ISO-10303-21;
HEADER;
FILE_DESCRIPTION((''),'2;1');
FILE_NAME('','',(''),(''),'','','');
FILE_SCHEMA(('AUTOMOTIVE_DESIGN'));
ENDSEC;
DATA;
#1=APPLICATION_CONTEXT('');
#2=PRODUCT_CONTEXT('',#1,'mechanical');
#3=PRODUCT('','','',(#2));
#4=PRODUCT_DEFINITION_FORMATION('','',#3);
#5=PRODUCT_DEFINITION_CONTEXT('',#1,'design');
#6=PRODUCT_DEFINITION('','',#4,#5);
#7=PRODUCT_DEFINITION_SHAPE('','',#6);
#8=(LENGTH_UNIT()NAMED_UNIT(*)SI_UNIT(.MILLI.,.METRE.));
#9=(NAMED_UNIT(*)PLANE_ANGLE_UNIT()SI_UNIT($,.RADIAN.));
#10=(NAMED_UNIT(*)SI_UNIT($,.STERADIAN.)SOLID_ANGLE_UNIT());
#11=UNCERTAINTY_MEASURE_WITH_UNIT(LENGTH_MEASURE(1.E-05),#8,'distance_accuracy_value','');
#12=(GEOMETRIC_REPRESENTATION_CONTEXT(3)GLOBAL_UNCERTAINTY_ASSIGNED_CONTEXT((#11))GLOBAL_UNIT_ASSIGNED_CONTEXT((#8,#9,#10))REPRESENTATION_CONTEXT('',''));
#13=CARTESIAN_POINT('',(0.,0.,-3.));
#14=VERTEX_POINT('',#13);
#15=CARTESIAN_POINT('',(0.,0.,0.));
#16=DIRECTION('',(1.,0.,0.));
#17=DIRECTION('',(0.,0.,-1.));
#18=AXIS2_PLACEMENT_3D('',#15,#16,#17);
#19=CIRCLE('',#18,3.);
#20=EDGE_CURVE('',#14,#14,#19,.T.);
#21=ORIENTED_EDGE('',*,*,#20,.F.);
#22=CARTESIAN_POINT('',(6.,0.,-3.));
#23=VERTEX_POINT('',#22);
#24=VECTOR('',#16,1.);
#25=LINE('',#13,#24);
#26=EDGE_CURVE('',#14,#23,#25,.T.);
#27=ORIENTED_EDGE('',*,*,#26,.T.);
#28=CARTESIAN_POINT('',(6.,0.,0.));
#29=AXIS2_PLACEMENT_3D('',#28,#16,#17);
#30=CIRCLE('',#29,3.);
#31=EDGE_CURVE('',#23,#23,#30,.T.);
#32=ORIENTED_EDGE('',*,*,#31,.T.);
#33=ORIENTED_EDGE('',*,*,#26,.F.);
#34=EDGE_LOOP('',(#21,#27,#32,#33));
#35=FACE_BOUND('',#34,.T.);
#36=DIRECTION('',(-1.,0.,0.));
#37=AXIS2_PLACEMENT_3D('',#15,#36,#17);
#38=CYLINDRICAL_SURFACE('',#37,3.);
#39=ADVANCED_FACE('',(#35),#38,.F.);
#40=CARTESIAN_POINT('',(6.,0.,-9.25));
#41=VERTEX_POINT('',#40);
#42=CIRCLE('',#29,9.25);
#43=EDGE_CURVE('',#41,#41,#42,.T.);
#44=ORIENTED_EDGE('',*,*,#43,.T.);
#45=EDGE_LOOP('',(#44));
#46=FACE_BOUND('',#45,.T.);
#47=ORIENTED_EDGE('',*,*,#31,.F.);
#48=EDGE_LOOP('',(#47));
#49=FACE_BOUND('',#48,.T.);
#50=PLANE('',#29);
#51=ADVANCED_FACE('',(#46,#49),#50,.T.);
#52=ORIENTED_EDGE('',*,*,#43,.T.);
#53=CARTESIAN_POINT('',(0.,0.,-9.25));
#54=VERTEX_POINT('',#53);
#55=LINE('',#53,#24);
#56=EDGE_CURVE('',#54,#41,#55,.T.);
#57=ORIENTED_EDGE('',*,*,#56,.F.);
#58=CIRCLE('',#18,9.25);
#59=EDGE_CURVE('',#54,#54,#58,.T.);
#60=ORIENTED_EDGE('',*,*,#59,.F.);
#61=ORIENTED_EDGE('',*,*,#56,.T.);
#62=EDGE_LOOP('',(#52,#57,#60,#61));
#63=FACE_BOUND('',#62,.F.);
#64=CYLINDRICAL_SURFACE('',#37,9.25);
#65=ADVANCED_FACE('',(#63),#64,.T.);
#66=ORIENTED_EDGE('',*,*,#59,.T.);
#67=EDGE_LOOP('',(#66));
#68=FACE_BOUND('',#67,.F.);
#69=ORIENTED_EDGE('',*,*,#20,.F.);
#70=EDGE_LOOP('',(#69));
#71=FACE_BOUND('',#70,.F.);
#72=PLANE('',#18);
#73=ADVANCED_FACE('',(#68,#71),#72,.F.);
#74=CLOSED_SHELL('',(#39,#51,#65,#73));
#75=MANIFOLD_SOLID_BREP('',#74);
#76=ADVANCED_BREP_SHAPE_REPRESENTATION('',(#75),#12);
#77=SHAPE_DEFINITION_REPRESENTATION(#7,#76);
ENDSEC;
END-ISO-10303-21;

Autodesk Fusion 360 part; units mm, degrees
sketch "Sketch1" plane through (0, 0, 0) normal (1, 0, 0) x (0, 0, -1)
  circle A0 centre (0, 0) radius 3
  circle A1 centre (0, 0) radius 9.25
  dimension "d1" = 6
  dimension "d2" = 18.5
extrude "Extrude1" add sketch "Sketch1" along normal blind 6
